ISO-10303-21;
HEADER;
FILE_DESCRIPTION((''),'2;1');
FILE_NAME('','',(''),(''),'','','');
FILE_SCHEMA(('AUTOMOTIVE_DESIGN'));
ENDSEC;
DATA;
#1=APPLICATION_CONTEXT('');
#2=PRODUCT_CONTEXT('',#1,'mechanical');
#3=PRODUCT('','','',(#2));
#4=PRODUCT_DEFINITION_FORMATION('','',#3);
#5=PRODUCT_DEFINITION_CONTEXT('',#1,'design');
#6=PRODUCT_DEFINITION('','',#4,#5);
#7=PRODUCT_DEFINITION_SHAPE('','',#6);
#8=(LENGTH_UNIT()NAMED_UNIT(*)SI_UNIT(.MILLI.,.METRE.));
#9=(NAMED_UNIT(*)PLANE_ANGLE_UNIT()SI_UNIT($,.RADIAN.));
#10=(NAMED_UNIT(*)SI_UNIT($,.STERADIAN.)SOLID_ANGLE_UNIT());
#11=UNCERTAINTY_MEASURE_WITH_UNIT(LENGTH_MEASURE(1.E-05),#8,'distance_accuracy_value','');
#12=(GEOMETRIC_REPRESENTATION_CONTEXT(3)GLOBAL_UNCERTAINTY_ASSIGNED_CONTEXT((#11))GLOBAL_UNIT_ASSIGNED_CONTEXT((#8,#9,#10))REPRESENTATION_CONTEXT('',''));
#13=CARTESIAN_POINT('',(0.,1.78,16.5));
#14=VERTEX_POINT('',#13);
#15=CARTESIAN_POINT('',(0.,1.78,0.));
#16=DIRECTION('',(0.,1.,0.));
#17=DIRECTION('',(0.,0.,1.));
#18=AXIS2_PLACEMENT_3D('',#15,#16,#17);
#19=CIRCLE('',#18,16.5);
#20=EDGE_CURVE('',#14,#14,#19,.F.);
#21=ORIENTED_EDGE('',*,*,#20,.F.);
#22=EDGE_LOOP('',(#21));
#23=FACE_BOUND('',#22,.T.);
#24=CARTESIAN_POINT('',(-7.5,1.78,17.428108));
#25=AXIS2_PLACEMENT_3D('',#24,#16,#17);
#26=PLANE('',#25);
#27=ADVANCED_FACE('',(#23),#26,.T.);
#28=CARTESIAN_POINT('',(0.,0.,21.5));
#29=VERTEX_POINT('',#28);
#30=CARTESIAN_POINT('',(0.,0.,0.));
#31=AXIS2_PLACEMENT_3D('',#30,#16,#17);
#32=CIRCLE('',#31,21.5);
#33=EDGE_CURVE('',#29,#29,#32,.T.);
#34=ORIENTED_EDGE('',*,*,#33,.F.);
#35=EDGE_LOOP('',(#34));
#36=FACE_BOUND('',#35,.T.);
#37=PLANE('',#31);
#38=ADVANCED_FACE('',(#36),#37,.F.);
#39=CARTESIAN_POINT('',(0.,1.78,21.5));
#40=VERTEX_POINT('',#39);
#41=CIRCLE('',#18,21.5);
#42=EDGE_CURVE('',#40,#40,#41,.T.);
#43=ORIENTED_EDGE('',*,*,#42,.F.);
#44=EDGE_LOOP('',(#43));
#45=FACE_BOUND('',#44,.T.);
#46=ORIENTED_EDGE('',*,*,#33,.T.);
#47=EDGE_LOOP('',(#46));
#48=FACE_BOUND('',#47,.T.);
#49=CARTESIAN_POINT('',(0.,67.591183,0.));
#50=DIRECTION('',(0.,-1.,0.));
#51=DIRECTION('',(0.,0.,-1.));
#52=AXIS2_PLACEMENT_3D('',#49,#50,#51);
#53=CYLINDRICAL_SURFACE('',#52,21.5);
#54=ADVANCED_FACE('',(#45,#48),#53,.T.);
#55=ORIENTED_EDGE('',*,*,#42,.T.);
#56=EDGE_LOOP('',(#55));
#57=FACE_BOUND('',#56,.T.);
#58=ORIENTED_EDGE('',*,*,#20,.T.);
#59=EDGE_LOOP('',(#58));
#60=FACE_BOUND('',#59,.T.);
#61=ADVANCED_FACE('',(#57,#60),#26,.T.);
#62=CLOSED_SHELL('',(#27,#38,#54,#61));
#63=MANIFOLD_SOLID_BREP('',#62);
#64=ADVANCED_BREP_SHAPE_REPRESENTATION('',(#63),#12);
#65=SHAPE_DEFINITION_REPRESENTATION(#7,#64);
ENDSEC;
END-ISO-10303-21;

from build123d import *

# Parameters (mm, degrees)
SKIZZE1_R                       = 21.5
SKIZZE1_R_2                     = 16.5
AUFSATZ_LINEAR_AUSTRAGEN1_DEPTH = 1.78


with BuildPart() as part:
    # Skizze1 → Aufsatz-Linear austragen1 (new body)
    with BuildSketch(Plane(origin=(0, 0, 0), x_dir=(1, 0, 0), z_dir=(0, 1, 0))):
        with Locations(Location((0, 0, 0), (0, 0, 270))):
            Circle(SKIZZE1_R)
        Circle(SKIZZE1_R_2, mode=Mode.SUBTRACT)
        Circle(SKIZZE1_R_2)
    extrude(amount=AUFSATZ_LINEAR_AUSTRAGEN1_DEPTH)


solid = part.part
